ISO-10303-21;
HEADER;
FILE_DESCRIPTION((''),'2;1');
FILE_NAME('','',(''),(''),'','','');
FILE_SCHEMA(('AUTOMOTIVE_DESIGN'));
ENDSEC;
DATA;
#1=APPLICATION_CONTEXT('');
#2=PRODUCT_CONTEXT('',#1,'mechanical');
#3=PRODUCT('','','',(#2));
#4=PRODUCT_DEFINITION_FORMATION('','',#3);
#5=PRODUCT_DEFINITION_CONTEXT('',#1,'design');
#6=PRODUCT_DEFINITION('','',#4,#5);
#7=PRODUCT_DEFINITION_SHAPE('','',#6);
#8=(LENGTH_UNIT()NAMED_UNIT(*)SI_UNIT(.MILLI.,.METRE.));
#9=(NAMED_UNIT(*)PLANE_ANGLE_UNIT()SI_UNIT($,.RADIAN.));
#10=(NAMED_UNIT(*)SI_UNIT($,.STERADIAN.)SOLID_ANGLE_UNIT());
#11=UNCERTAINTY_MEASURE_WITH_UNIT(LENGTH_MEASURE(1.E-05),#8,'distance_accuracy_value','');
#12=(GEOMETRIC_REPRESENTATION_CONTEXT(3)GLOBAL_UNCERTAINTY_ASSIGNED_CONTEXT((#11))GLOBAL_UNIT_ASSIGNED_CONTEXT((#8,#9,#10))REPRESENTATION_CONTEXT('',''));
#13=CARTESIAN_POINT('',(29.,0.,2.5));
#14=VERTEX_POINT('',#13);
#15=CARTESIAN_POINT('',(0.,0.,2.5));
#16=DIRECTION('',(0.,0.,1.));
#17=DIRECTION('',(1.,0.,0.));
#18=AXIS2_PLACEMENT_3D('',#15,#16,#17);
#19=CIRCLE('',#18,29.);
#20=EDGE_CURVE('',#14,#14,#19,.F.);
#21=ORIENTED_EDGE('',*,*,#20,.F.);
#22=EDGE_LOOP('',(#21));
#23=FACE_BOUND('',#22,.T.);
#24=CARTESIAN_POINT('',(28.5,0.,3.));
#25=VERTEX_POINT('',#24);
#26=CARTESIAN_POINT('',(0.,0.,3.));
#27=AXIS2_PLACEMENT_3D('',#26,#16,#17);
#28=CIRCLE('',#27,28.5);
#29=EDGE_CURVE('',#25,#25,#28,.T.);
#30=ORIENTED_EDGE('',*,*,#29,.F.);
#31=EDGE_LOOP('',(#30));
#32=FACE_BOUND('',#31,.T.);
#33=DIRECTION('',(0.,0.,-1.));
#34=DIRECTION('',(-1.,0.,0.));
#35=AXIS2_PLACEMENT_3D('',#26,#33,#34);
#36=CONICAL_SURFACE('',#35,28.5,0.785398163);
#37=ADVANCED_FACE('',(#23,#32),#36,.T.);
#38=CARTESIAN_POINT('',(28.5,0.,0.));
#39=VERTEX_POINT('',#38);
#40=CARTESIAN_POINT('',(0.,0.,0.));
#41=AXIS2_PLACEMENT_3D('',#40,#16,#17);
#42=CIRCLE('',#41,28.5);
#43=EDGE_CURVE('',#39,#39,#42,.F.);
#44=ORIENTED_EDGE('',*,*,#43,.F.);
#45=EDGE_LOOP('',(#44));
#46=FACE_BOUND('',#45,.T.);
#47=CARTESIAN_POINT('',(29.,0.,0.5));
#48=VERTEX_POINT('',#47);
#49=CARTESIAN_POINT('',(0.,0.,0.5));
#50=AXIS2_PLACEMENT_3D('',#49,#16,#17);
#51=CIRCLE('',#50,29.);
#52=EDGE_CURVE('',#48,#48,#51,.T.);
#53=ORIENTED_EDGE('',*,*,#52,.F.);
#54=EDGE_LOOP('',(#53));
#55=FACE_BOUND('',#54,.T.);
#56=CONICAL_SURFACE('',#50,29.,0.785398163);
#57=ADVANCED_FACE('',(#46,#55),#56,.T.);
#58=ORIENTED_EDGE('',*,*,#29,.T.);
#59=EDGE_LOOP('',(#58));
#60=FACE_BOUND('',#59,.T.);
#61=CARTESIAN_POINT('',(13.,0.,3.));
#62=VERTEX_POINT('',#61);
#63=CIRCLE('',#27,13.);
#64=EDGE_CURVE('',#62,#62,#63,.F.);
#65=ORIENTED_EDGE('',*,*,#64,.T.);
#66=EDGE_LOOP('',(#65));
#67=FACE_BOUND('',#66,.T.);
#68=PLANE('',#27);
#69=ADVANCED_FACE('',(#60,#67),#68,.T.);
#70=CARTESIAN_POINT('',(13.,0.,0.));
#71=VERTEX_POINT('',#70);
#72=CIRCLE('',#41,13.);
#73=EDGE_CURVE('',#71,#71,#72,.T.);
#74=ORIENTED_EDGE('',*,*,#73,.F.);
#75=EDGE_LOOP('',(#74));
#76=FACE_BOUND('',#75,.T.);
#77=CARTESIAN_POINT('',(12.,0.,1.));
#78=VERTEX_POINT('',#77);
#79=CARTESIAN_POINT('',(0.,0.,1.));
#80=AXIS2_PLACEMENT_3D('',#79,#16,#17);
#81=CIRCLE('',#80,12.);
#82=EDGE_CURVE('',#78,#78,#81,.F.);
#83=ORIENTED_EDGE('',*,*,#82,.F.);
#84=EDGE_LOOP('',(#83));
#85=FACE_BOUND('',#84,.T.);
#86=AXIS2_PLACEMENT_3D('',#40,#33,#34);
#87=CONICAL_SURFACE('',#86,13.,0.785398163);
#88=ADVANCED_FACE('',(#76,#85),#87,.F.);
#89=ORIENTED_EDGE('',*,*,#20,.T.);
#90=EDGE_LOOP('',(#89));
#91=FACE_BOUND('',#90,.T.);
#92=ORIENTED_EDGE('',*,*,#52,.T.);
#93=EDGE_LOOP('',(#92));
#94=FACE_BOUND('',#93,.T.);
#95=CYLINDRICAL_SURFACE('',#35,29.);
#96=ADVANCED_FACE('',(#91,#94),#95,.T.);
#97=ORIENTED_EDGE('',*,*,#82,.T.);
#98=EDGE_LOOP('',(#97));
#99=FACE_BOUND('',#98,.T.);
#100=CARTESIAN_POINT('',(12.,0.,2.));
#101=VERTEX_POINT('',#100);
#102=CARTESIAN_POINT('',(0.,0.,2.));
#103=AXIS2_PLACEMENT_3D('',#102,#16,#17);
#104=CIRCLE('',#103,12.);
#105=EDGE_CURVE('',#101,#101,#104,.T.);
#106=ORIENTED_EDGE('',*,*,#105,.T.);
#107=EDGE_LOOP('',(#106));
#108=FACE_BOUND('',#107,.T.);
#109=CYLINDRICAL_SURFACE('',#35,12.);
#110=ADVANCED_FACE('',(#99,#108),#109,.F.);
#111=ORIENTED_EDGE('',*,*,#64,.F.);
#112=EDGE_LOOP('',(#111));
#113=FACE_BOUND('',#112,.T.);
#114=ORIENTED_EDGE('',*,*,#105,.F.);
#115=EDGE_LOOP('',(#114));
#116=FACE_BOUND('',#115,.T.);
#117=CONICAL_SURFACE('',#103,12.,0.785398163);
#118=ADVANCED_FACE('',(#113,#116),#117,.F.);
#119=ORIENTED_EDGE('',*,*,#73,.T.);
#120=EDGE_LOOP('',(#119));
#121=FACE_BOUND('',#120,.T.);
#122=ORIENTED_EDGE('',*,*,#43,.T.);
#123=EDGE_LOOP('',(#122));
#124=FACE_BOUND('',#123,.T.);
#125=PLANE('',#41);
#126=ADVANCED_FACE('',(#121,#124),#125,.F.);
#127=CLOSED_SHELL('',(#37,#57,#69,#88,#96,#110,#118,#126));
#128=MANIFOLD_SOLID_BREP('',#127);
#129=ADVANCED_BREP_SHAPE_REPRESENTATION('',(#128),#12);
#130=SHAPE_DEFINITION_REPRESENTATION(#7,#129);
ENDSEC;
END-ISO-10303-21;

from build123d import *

# Parameters (mm, degrees)
SKETCH1_R           = 29
SKETCH1_R_2         = 12
BOSS_EXTRUDE1_DEPTH = 3
CHAMFER1_SIZE       = 1
CHAMFER2_SIZE       = 0.5


with BuildPart() as part:
    # Sketch1 → Boss-Extrude1 (new body)
    with BuildSketch(Plane.XY):
        Circle(SKETCH1_R)
        Circle(SKETCH1_R_2, mode=Mode.SUBTRACT)
    extrude(amount=BOSS_EXTRUDE1_DEPTH)

    # Chamfer1
    chamfer1_edges = [part.edges().sort_by_distance(p)[0] for p in [
        (-12, 0, 0),
        (-12, 0, 3),
    ]]
    chamfer(chamfer1_edges, length=CHAMFER1_SIZE)

    # Chamfer2
    chamfer2_edges = [part.edges().sort_by_distance(p)[0] for p in [
        (-29, 0, 0),
        (-29, 0, 3),
    ]]
    chamfer(chamfer2_edges, length=CHAMFER2_SIZE)


solid = part.part
